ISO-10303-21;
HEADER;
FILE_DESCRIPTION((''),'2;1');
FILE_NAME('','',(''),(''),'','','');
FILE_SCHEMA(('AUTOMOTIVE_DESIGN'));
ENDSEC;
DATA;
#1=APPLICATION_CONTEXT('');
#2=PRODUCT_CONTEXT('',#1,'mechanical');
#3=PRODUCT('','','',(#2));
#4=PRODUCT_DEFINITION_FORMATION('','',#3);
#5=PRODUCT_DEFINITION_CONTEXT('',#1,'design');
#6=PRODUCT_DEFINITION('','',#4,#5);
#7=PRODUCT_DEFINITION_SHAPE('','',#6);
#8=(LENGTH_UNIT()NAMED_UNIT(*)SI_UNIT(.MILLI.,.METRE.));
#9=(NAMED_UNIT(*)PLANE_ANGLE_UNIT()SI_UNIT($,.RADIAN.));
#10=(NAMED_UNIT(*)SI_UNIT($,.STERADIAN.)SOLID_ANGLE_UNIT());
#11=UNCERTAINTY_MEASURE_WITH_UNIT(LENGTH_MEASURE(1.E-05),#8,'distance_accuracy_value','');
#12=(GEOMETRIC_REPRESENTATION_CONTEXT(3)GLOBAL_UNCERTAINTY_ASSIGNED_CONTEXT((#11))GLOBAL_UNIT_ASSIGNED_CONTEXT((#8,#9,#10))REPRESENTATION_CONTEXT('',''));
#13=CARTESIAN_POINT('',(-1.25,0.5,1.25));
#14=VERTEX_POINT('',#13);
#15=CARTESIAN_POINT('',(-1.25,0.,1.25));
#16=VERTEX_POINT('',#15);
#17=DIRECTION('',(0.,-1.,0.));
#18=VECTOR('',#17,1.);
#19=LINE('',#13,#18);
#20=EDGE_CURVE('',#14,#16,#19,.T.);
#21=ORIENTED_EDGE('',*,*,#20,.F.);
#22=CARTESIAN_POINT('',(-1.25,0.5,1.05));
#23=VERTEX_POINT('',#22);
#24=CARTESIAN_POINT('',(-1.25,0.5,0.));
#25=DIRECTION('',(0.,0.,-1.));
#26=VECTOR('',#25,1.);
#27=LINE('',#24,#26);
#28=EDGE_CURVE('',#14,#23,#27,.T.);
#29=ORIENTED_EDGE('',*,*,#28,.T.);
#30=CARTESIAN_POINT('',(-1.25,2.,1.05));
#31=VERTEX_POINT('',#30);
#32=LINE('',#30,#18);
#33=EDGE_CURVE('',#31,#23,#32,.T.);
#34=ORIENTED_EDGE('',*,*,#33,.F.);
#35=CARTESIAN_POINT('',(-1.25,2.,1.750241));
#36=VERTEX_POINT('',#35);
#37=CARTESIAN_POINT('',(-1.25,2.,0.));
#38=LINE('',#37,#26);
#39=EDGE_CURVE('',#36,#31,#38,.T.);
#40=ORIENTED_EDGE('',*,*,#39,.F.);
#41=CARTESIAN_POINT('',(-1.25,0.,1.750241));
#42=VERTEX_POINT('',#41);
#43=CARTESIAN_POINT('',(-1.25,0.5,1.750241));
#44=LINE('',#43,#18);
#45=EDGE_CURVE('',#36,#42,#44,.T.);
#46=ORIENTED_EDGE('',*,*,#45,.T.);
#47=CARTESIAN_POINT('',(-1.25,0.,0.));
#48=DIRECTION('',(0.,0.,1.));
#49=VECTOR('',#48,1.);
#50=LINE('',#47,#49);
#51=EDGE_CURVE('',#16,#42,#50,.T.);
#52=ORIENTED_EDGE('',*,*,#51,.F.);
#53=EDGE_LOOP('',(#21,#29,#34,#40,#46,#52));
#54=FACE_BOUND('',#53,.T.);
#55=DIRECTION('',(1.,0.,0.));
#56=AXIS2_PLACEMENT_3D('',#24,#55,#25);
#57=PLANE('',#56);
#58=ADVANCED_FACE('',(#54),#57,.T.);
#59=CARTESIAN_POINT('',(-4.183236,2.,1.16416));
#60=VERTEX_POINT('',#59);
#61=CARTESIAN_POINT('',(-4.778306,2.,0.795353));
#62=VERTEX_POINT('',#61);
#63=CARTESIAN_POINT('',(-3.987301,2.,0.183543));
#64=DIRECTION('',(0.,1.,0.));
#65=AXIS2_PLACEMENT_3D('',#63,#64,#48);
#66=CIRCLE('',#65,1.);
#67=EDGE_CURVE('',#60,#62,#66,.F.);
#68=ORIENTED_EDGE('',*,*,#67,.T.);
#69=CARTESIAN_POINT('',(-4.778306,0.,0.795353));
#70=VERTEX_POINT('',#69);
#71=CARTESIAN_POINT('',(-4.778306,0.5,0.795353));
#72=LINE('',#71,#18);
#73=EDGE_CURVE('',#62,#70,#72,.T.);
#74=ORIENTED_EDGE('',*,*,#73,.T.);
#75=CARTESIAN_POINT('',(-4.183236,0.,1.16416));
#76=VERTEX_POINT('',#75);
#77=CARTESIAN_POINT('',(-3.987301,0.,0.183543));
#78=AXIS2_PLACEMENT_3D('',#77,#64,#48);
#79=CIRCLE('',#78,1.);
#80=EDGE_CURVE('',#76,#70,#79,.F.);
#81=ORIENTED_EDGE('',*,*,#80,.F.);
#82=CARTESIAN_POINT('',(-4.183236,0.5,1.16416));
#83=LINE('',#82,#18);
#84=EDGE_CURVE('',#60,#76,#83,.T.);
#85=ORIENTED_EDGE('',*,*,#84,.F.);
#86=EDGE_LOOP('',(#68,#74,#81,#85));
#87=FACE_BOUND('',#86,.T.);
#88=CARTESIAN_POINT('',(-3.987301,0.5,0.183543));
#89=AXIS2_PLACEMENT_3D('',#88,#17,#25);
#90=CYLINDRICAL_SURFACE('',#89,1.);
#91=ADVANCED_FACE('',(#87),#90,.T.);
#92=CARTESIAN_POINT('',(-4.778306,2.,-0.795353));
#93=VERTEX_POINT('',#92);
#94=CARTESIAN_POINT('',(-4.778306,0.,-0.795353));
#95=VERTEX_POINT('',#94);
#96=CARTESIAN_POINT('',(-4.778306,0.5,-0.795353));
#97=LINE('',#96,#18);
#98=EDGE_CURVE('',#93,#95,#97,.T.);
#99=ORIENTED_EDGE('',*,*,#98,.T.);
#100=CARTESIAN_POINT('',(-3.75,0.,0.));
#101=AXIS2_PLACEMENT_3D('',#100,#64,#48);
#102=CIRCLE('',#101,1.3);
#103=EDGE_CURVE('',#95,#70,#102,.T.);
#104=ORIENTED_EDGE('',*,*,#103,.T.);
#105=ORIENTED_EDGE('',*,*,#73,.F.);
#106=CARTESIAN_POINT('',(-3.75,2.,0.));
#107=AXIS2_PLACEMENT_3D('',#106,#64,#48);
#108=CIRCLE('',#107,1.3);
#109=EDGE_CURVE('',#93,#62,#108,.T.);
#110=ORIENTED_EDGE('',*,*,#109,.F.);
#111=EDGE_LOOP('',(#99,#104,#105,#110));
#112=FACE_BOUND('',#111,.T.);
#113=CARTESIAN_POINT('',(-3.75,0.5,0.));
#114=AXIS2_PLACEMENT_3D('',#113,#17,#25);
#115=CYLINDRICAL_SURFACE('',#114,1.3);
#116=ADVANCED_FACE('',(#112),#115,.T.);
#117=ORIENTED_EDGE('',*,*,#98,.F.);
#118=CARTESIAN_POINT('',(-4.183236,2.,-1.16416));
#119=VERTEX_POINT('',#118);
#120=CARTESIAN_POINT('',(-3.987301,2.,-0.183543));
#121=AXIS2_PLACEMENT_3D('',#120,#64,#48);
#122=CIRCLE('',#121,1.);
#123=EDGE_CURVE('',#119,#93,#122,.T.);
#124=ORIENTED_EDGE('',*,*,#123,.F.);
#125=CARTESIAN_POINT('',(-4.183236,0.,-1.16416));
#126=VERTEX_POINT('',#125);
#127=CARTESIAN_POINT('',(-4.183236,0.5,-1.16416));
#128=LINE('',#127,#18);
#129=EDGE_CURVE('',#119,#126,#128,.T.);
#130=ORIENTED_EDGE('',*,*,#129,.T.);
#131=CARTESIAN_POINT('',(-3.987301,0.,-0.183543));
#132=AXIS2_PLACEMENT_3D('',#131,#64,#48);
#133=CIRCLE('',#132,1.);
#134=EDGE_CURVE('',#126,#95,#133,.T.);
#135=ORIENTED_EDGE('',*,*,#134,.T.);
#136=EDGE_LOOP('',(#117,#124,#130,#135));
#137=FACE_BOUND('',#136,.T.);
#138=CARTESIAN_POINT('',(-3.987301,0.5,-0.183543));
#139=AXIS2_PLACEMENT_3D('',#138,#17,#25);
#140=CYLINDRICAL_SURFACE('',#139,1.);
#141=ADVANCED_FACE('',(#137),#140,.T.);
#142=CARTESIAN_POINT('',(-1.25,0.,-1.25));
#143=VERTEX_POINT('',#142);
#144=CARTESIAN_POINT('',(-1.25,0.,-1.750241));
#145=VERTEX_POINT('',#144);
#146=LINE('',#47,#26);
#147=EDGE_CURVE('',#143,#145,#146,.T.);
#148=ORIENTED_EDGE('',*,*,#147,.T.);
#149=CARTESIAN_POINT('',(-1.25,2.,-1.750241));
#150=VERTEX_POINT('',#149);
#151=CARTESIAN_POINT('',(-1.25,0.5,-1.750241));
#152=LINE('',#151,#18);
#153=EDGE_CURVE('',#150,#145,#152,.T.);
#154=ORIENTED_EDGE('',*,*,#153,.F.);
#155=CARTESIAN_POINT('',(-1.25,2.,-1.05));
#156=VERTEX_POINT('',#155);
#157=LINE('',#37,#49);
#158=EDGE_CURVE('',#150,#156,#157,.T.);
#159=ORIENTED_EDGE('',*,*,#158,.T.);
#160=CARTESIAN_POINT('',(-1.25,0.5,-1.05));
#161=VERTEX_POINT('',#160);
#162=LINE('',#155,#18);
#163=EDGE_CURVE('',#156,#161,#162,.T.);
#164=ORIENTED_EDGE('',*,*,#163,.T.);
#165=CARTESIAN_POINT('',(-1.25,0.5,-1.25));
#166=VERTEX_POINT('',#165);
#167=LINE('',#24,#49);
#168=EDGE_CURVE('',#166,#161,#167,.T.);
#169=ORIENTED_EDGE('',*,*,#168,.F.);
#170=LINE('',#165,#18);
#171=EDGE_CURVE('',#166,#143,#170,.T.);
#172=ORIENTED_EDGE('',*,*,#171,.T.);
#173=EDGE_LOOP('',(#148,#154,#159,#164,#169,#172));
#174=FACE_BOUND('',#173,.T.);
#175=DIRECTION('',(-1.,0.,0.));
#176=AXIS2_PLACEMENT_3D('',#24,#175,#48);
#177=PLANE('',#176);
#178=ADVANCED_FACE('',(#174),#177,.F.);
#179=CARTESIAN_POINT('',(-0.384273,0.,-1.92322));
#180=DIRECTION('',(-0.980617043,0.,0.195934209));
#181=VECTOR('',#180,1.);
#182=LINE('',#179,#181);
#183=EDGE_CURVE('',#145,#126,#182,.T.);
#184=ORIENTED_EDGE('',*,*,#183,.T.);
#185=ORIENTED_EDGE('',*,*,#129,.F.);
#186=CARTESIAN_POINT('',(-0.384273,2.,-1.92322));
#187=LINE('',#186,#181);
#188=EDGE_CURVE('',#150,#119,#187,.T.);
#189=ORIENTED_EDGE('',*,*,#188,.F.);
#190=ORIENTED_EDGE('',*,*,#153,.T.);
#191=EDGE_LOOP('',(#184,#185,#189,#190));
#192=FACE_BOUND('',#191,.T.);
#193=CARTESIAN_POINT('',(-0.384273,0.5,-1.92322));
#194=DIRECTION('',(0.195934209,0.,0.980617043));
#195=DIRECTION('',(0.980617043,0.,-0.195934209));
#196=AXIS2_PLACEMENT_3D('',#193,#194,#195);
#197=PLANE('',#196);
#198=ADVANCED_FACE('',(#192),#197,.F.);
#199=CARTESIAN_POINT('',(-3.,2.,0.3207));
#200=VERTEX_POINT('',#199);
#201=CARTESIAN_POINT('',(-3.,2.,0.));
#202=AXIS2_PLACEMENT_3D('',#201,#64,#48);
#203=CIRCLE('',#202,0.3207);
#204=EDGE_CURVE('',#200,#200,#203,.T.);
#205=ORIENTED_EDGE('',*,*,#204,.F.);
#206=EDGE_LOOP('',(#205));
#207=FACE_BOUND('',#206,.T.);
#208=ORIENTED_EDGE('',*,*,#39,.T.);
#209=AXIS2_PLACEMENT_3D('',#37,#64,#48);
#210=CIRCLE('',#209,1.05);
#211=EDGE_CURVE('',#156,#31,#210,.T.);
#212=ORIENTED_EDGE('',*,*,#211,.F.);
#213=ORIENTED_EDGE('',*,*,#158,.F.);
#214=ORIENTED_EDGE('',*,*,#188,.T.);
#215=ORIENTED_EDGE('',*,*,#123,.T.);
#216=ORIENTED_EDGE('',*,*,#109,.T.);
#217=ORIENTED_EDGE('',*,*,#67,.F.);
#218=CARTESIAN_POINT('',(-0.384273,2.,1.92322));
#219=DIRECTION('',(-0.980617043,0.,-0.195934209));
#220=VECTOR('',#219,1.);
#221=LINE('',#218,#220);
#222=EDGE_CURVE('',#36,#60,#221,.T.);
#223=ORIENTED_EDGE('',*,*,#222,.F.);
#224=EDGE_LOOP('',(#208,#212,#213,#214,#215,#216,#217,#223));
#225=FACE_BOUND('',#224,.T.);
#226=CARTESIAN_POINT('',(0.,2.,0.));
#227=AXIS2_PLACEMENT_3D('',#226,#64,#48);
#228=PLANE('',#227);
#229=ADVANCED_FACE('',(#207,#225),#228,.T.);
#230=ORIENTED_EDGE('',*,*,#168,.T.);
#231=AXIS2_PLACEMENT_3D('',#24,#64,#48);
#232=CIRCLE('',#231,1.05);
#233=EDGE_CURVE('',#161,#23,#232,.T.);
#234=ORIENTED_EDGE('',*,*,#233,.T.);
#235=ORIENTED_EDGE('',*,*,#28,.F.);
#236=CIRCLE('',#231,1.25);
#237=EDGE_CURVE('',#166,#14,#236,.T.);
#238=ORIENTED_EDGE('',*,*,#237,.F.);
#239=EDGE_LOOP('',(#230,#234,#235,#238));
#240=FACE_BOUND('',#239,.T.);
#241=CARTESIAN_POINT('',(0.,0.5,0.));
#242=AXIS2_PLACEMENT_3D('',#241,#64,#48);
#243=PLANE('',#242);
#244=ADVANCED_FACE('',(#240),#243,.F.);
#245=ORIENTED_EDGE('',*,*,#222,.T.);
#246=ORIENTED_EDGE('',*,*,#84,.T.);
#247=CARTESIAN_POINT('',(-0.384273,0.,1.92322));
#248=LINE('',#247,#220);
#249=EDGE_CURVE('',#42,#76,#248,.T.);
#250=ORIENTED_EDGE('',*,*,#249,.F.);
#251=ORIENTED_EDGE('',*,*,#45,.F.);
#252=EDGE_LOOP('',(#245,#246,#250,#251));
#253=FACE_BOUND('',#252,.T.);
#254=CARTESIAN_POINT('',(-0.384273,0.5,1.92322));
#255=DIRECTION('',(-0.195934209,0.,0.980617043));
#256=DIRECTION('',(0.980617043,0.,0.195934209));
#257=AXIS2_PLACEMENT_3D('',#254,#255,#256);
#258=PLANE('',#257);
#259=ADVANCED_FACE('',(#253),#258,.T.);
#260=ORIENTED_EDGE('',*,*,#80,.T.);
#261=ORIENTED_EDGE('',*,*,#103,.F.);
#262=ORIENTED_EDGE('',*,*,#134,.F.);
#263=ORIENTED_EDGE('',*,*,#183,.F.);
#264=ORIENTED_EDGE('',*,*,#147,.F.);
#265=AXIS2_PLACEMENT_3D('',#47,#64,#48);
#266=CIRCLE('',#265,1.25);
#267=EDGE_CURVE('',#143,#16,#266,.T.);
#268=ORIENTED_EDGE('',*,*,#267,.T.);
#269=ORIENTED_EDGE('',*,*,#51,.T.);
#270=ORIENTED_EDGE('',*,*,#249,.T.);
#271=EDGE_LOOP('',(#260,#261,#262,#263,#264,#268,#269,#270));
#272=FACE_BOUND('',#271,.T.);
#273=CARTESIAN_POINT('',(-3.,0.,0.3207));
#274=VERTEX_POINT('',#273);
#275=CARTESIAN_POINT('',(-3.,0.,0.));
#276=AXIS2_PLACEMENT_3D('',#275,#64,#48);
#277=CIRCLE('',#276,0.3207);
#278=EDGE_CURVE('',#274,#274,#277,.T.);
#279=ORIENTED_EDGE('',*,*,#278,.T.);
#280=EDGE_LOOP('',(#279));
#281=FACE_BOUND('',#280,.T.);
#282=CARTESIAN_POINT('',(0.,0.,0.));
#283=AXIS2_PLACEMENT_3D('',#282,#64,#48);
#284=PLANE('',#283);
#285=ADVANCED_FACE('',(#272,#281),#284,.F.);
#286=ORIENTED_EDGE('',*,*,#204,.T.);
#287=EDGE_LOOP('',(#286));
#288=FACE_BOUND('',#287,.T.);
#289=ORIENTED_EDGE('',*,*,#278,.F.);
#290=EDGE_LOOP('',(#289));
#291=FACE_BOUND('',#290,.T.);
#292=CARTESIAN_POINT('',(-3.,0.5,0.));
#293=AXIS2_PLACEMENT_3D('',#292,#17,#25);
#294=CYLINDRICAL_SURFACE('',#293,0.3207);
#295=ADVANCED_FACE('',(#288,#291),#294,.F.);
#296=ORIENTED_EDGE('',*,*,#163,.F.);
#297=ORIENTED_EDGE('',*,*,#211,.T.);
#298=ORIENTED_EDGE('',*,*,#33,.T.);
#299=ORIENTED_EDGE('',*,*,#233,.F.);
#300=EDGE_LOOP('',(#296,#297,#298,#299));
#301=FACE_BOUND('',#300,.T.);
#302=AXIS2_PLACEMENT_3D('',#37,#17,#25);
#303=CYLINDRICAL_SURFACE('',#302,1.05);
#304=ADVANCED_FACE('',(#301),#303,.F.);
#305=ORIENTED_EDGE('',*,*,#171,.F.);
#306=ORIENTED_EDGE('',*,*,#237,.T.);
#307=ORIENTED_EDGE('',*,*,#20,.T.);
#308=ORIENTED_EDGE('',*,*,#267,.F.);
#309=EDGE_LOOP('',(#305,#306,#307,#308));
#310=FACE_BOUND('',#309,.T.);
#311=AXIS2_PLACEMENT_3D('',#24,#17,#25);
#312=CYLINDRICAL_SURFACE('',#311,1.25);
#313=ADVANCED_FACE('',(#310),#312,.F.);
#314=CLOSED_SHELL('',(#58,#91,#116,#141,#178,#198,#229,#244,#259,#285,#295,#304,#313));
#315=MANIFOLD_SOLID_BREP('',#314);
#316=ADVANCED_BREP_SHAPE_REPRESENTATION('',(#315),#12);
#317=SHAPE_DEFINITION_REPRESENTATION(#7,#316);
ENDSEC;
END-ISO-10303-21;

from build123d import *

# Parameters (mm, degrees)
SKETCH1_R           = 0.3207
BOSS_EXTRUDE1_DEPTH = 0.5
BOSS_EXTRUDE3_START = 0.5
SKETCH1_20_R        = 0.3207
BOSS_EXTRUDE3_DEPTH = 1.5


with BuildPart() as part:
    # Sketch1 → Boss-Extrude1 (new body)
    with BuildSketch(Plane(origin=(0, 0, 0), x_dir=(1, 0, 0), z_dir=(0, 1, 0))):
        with BuildLine():
            Line((-1.25, 1.25), (-1.25, 1.750241174))
            Line((-1.25, 1.750241174), (-4.183235691, 1.164159973))
            ThreePointArc((-4.183235691, 1.164159973), (-4.514100231, 1.033532975), (-4.77830642, 0.795352694))
            ThreePointArc((-4.77830642, 0.795352694), (-5.05, 0), (-4.77830642, -0.795352694))
            ThreePointArc((-4.77830642, -0.795352694), (-4.514100231, -1.033532975), (-4.183235691, -1.164159973))
            Line((-4.183235691, -1.164159973), (-1.25, -1.750241174))
            Line((-1.25, -1.750241174), (-1.25, -1.25))
            ThreePointArc((-1.25, -1.25), (-2.5, 0), (-1.25, 1.25))
        make_face()
        with Locations((-3, 0)):
            Circle(SKETCH1_R, mode=Mode.SUBTRACT)
    extrude(amount=BOSS_EXTRUDE1_DEPTH)

    # Sketch1<20> → Boss-Extrude3 (add)
    with BuildSketch(Plane(origin=(0, 0, 0), x_dir=(1, 0, 0), z_dir=(0, 1, 0)).offset(BOSS_EXTRUDE3_START)):
        with BuildLine():
            Line((-1.25, 1.750241174), (-4.183235691, 1.164159973))
            ThreePointArc((-4.183235691, 1.164159973), (-4.514100231, 1.033532975), (-4.77830642, 0.795352694))
            ThreePointArc((-4.77830642, 0.795352694), (-5.05, 0), (-4.77830642, -0.795352694))
            ThreePointArc((-4.77830642, -0.795352694), (-4.514100231, -1.033532975), (-4.183235691, -1.164159973))
            Line((-4.183235691, -1.164159973), (-1.25, -1.750241174))
            Line((-1.25, -1.750241174), (-1.25, -1.05))
            ThreePointArc((-1.25, -1.05), (-2.3, 0), (-1.25, 1.05))
            Line((-1.25, 1.05), (-1.25, 1.750241174))
        make_face()
        with Locations((-3, 0)):
            Circle(SKETCH1_20_R, mode=Mode.SUBTRACT)
    extrude(amount=BOSS_EXTRUDE3_DEPTH)


solid = part.part
